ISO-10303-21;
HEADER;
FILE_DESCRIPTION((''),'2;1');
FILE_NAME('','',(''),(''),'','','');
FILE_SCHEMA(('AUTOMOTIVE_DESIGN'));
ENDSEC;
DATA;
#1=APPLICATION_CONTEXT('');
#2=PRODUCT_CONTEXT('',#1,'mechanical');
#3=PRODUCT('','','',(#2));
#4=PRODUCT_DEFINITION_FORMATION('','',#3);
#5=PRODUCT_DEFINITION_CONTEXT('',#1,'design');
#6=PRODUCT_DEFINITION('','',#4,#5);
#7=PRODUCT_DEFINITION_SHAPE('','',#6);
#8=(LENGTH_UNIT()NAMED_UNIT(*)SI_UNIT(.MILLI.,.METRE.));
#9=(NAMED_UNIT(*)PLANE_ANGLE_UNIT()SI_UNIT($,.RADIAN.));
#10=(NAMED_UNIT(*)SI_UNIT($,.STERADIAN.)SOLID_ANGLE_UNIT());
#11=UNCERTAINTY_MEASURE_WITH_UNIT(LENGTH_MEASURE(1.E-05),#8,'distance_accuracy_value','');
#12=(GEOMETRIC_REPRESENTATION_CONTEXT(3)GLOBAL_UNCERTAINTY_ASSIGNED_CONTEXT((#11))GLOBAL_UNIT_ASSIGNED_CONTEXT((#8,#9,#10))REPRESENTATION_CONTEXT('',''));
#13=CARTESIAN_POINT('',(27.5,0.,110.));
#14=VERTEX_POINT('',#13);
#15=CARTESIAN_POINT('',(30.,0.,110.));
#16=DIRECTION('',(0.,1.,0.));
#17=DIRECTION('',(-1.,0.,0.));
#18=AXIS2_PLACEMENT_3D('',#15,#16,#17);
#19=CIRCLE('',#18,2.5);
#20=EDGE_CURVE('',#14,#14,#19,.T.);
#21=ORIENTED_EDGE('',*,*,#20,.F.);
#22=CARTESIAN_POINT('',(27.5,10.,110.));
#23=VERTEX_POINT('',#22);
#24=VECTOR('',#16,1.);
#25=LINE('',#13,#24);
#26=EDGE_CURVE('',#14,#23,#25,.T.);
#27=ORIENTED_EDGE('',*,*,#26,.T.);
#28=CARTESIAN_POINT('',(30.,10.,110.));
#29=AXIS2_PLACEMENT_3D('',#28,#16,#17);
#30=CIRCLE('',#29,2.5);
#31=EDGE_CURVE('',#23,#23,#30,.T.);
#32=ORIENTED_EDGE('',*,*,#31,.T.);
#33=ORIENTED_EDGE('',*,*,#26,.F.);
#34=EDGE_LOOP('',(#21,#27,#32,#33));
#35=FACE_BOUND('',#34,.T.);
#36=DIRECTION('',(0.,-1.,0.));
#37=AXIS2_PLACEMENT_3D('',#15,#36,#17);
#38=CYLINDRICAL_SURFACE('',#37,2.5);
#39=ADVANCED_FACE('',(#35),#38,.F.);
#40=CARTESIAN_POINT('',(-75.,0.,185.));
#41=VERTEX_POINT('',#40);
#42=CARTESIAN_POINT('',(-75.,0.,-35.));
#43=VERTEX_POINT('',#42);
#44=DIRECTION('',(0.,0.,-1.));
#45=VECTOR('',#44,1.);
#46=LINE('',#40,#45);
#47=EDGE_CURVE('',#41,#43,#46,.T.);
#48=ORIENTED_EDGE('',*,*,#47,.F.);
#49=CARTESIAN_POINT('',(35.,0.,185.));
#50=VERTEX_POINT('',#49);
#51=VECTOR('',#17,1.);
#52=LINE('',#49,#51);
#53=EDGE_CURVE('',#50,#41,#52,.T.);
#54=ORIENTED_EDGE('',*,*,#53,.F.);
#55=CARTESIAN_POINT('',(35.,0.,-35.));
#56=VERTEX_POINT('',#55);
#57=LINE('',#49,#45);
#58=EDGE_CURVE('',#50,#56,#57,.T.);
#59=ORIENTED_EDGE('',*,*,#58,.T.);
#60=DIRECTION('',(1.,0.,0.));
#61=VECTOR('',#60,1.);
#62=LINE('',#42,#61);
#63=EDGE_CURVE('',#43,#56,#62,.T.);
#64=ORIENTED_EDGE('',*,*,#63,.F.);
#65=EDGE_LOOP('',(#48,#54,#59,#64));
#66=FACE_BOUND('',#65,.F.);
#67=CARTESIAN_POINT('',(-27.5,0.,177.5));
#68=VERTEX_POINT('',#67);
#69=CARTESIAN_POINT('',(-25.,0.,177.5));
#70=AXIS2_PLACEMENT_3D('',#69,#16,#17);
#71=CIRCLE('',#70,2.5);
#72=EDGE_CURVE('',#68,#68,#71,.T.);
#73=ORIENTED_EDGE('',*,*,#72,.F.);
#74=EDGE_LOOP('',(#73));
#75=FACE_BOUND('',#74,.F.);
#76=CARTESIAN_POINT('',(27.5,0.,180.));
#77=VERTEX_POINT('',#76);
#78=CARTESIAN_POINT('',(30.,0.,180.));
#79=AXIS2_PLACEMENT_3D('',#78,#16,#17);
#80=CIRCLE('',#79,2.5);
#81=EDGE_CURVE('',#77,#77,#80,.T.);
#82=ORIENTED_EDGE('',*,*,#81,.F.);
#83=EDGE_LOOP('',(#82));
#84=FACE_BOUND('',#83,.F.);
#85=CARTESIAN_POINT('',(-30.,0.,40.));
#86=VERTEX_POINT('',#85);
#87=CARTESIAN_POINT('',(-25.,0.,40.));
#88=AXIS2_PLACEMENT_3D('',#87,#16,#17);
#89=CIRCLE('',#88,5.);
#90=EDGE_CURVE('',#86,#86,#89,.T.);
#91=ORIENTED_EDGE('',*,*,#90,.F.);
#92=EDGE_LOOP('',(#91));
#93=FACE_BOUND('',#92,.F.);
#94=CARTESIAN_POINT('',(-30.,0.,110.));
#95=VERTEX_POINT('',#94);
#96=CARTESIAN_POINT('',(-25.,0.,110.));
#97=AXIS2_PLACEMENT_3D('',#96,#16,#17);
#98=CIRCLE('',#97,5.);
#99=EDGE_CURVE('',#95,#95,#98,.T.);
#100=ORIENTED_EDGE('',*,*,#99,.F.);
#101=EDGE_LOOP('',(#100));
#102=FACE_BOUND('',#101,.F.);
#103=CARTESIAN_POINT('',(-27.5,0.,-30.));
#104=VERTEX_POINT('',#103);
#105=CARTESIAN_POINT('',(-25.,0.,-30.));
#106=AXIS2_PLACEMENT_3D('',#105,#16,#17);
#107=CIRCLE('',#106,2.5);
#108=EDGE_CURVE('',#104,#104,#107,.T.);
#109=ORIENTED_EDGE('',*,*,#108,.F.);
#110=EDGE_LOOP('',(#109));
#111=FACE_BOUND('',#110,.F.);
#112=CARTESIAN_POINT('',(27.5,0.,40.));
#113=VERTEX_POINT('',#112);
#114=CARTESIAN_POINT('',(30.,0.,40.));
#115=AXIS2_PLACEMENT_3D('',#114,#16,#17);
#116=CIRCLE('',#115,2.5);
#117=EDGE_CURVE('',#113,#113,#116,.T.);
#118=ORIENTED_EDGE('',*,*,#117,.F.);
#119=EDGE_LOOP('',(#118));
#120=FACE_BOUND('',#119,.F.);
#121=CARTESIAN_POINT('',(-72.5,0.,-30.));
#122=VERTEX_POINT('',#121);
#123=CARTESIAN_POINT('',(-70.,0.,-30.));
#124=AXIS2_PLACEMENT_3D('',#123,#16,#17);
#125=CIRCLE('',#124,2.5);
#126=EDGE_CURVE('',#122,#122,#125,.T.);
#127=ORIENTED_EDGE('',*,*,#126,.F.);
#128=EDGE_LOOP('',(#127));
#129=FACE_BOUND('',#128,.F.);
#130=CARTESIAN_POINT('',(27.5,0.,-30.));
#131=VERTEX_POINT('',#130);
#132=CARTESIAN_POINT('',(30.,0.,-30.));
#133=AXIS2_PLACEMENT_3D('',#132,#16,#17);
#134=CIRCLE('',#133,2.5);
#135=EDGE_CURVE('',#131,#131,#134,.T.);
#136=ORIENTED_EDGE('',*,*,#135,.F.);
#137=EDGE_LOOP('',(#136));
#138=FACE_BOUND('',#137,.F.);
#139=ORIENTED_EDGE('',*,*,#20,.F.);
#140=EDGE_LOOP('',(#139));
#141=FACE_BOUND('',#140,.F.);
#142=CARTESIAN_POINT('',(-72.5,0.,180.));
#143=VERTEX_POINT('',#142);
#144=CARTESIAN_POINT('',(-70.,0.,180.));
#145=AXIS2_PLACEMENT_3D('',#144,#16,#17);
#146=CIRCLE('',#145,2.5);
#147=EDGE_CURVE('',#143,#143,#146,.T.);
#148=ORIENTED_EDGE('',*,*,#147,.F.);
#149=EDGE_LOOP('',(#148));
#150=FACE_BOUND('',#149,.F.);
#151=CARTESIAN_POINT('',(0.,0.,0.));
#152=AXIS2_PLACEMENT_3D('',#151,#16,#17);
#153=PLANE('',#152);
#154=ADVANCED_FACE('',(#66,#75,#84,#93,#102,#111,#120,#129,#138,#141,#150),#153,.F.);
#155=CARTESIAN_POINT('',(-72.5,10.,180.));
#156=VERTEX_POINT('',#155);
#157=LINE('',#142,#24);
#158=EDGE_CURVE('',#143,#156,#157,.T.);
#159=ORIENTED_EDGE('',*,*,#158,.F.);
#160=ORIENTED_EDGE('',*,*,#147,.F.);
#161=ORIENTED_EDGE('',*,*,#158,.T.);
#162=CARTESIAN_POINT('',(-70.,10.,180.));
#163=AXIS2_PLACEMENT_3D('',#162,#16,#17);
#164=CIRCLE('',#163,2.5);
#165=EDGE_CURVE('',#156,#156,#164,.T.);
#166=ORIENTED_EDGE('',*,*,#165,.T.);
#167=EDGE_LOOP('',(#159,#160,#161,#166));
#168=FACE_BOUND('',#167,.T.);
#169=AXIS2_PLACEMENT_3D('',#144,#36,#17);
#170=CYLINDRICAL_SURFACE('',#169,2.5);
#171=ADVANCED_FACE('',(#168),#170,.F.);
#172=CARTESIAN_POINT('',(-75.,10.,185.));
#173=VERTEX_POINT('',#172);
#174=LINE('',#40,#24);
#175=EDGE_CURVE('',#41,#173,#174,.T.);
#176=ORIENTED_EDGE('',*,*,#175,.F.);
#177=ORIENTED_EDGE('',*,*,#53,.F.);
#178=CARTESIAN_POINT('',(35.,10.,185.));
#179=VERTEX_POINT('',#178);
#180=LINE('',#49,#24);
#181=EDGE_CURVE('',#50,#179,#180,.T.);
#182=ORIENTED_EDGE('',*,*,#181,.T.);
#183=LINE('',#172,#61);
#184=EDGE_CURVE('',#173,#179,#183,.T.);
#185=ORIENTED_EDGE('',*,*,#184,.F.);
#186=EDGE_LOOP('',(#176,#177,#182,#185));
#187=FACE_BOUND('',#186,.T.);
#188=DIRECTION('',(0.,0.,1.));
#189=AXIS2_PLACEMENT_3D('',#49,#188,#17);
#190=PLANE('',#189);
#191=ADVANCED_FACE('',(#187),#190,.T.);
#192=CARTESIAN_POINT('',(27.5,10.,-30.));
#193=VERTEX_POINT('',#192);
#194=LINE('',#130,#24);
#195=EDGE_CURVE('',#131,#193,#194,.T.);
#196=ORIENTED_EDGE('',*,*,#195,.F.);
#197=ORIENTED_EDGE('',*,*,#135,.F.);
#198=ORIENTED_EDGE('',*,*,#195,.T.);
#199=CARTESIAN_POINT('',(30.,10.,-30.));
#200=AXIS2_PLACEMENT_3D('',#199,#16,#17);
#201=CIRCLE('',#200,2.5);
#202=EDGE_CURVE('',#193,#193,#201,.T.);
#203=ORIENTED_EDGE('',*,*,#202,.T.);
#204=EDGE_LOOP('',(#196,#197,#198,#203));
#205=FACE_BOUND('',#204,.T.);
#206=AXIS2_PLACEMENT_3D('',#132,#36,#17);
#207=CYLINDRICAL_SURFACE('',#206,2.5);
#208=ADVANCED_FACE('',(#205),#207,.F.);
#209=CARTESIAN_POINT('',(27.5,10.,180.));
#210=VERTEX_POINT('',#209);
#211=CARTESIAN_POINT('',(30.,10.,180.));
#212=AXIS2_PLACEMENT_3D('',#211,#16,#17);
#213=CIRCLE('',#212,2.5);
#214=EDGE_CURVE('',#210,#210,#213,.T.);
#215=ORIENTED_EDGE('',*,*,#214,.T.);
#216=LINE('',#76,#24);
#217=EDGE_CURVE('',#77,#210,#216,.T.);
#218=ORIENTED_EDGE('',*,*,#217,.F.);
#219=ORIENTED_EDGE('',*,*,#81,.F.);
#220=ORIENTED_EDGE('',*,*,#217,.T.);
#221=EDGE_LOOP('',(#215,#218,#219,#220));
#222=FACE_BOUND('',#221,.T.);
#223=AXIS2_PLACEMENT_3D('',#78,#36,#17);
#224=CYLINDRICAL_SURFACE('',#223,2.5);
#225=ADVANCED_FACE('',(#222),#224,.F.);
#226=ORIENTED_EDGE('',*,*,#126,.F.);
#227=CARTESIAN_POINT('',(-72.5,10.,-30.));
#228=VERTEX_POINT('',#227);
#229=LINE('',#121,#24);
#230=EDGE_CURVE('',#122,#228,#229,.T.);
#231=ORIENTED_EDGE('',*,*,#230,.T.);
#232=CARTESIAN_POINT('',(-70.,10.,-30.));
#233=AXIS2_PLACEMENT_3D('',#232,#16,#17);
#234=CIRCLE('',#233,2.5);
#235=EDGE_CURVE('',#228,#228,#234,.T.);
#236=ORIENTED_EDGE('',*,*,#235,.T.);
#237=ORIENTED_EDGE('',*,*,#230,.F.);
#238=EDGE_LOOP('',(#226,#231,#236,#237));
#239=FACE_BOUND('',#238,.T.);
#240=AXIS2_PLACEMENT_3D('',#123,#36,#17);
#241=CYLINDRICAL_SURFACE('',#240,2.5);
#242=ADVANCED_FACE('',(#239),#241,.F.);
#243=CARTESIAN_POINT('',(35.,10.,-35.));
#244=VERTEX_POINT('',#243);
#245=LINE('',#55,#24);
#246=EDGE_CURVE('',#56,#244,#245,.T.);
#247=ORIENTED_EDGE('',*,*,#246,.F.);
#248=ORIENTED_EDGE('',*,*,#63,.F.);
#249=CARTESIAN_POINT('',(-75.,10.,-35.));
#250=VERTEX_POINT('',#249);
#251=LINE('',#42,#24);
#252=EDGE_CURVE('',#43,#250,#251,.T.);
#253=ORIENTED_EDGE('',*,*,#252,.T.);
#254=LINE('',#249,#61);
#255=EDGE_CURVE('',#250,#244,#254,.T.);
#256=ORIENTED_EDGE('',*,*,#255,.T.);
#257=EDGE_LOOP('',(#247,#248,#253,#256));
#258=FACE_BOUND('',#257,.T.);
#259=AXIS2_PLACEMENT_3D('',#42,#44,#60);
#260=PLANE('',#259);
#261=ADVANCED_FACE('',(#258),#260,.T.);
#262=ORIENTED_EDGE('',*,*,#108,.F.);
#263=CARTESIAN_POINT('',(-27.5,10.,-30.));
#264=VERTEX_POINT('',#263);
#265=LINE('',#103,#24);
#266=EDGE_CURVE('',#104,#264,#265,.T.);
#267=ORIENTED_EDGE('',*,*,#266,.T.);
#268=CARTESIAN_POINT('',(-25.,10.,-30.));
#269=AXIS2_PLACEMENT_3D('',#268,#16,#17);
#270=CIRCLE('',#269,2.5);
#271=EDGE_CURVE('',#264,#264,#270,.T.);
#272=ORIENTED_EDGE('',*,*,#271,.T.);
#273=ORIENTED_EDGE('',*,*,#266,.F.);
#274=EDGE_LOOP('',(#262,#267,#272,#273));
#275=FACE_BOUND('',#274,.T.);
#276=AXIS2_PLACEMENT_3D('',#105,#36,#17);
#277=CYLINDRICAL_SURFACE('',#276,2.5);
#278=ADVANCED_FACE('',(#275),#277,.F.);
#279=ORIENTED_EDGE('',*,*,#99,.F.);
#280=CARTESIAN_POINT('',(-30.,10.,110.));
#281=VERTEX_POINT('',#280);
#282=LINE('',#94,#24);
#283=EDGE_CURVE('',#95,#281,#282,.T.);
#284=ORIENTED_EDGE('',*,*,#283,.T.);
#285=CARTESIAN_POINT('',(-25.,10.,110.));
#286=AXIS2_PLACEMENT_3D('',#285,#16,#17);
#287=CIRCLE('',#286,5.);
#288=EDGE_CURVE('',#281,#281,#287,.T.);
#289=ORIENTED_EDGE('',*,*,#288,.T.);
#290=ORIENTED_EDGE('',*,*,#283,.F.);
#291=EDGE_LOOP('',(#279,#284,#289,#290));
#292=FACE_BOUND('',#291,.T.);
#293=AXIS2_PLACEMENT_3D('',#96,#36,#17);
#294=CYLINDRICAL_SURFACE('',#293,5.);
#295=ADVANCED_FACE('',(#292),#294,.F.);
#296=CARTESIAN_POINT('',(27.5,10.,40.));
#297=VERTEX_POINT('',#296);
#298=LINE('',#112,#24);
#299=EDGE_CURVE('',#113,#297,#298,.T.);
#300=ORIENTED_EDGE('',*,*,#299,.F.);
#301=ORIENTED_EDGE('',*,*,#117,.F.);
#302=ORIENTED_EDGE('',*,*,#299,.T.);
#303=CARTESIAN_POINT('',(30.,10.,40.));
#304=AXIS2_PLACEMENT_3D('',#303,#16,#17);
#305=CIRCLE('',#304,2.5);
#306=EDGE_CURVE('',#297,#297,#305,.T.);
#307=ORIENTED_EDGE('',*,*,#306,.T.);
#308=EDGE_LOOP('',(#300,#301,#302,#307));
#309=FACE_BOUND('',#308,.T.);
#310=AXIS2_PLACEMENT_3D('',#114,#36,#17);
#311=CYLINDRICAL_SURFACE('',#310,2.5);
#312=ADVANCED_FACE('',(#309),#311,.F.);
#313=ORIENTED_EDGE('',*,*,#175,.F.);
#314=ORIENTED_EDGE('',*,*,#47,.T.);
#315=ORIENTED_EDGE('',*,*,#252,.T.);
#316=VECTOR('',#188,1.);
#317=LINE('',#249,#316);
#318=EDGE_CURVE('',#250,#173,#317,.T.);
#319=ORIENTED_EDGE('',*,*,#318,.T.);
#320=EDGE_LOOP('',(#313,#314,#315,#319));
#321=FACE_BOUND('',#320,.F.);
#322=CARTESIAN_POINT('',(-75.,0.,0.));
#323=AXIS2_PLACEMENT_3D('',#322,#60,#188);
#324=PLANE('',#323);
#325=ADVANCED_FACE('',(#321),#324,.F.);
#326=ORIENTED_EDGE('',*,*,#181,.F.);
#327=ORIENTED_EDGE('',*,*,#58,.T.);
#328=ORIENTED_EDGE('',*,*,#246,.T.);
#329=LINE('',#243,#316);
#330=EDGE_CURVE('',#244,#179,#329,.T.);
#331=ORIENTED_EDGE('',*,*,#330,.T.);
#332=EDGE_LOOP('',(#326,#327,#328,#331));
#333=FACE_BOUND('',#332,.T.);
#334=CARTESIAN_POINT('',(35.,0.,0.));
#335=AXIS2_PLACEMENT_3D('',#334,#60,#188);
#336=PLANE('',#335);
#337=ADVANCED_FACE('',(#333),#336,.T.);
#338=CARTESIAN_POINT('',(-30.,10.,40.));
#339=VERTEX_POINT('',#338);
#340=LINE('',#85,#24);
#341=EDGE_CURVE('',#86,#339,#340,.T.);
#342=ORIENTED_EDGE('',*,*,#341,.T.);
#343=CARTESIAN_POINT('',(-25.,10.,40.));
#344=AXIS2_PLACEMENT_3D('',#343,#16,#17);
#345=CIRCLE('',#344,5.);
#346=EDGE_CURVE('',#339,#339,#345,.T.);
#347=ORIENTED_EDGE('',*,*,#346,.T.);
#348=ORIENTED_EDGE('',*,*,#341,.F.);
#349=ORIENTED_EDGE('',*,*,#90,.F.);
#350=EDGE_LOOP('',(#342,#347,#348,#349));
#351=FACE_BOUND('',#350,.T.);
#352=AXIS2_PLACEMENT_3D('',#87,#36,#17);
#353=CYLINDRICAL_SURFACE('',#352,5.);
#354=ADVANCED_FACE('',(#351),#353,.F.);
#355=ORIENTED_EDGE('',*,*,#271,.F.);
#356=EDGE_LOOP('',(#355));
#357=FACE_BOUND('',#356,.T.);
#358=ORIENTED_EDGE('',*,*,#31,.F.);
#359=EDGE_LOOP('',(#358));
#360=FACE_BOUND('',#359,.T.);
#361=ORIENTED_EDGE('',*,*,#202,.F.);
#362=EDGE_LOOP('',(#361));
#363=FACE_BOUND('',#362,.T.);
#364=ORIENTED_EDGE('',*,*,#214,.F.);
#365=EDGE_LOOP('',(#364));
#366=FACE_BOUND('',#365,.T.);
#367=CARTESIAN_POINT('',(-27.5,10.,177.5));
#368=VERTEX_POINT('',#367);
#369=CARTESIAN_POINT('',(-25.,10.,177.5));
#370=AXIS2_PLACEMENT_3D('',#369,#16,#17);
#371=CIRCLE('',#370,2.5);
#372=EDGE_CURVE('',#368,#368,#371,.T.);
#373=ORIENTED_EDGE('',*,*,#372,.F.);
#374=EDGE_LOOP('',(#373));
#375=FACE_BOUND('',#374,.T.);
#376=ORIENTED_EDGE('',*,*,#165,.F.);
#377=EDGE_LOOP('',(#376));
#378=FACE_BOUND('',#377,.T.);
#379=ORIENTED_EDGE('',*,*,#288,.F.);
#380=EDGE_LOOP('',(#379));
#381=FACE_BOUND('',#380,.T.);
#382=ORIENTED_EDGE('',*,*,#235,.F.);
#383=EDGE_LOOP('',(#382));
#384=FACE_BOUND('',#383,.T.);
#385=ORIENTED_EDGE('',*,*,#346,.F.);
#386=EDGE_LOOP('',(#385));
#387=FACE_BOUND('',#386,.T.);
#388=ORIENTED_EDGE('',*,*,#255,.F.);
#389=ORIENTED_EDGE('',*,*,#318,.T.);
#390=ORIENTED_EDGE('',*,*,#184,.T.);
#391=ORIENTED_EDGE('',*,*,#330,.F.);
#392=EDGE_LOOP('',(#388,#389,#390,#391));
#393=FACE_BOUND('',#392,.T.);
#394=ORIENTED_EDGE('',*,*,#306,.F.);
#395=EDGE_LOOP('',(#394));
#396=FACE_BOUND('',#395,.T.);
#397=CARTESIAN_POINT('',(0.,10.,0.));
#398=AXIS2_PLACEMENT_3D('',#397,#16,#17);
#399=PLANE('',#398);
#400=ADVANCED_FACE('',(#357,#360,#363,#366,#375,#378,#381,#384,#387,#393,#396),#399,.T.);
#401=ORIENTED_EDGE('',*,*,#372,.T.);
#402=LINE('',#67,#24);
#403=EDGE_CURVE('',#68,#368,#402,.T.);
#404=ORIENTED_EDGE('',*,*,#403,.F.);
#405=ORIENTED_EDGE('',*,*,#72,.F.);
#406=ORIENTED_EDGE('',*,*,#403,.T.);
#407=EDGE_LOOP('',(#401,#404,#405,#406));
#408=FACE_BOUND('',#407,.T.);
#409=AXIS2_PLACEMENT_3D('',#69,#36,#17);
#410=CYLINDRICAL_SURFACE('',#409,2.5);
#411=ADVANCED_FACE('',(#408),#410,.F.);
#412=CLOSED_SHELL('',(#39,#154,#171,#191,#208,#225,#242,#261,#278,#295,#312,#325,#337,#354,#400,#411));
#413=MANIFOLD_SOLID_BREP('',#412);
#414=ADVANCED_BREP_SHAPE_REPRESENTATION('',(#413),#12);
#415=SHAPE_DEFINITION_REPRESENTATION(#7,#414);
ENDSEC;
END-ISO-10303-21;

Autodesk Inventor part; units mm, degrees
ref_plane "YZ Plane" through (0, 0, 0) normal (1, 0, 0) x (0, 1, 0)
ref_plane "XZ Plane" through (0, 0, 0) normal (0, 1, 0) x (-1, 0, 0)
ref_plane "XY Plane" through (0, 0, 0) normal (0, 0, 1) x (1, 0, 0)
sketch "Block1" plane through (0, 0, 0) normal (0, 0, 1) x (1, 0, 0)
  line L0 (-75.22, -185.22) -> (-75.22, 35.22)
  line L1 (-75.22, 35.22) -> (35.22, 35.22)
  line L2 (35.22, 35.22) -> (35.22, -185.22)
  line L3 (35.22, -185.22) -> (-75.22, -185.22)
  circle A0 centre (-70, -180) radius 2.72
  circle A1 centre (-25, -177.5) radius 2.72
  circle A2 centre (30, -180) radius 2.72
  circle A3 centre (-25, 30) radius 2.72
  circle A4 centre (-70, 30) radius 2.72
  circle A5 centre (30, -40) radius 2.72
  circle A6 centre (30, -110) radius 2.72
  circle A7 centre (-25, -110) radius 5.22
  circle A8 centre (-25, -40) radius 5.22
  circle A9 centre (30, 30) radius 2.72
  point P0 (-15, -74.8437)
sketch "Sketch1" plane through (0, 0, 0) normal (0, 1, 0) x (-1, 0, 0)
  line L0 (0, 0) -> (75, 0)
  line L1 (75, 0) -> (75, 185)
  line L2 (75, 185) -> (0, 185)
  circle A0 centre (25, 110) radius 5
  circle A1 centre (25, 40) radius 5
  line L3 (75, 185) -> (100, 185)
  line L4 (75, 0) -> (100, 0)
  line L5 (0, 0) -> (-35, 0)
  line L6 (-35, 0) -> (-35, 185)
  line L7 (-35, 185) -> (0, 185)
  line L8 (106.8257, 75) -> (-45.4509, 75)
  line L9 (-35, 0) -> (75, 0)
  line L10 (75, 0) -> (75, -35)
  line L11 (75, -35) -> (-35, -35)
  line L12 (-35, -35) -> (-35, 0)
  circle A2 centre (-30, 180) radius 2.5
  circle A3 centre (70, 180) radius 2.5
  circle A4 centre (-30, -30) radius 2.5
  circle A5 centre (70, -30) radius 2.5
  circle A6 centre (-30, 110) radius 2.5
  circle A7 centre (-30, 40) radius 2.5
  circle A8 centre (25, 177.5) radius 2.5
  circle A9 centre (25, -30) radius 2.5
  dimension "d5" = 10
  dimension "d9" = 70
  dimension "d13" = 35
  dimension "d14" = 50
  dimension "d17" = 75
  dimension "d18" = 185
  dimension "d19" = 35
  dimension "d22" = 5
  dimension "d23" = 5
  dimension "d24" = 5
  dimension "d25" = 5
  dimension "d26" = 5
  dimension "d27" = 5
  dimension "d28" = 5
  dimension "d29" = 5
  dimension "d30" = 5
  dimension "d31" = 5
  dimension "d32" = 5
  dimension "d33" = 75
  dimension "d34" = 5
  dimension "d35" = 75
  dimension "d36" = 5
  dimension "d37" = 5
  dimension "d38" = 5
  dimension "d39" = 5
  dimension "d42" = 5
  dimension "d43" = 50
  dimension "d46" = 5
  dimension "d47" = 5
  dimension "d48" = 50
extrude "Extrusion5" add sketch "Sketch1" along normal blind 10
sketch "Sketch2" plane through (0, 10, 0) normal (0, 1, 0) x (1, 0, 0)
  circle A0 centre (-25, -40) radius 5 projected
  circle A1 centre (-25, -110) radius 5 projected
  circle A2 centre (-25, -177.5) radius 2.5 projected
  circle A3 centre (30, -40) radius 2.5 projected
  circle A4 centre (30, -110) radius 2.5 projected
  circle A5 centre (-70, -180) radius 2.5 projected
  circle A6 centre (30, -180) radius 2.5 projected
  circle A7 centre (-25, 30) radius 2.5 projected
  circle A8 centre (-70, 30) radius 2.5 projected
  circle A9 centre (30, 30) radius 2.5 projected
  line L0 (35, -185) -> (35, 35) projected
  line L1 (35, 35) -> (-75, 35) projected
  line L2 (-75, 35) -> (-75, -185) projected
  line L3 (-75, -185) -> (35, -185) projected
  point P0 (0, 0)
sketch "DXF" plane through (0, 0, 0) normal (0, 1, 0) x (-1, 0, 0)
  point P0 (0, 0)
properties part number "shaft_cover"
